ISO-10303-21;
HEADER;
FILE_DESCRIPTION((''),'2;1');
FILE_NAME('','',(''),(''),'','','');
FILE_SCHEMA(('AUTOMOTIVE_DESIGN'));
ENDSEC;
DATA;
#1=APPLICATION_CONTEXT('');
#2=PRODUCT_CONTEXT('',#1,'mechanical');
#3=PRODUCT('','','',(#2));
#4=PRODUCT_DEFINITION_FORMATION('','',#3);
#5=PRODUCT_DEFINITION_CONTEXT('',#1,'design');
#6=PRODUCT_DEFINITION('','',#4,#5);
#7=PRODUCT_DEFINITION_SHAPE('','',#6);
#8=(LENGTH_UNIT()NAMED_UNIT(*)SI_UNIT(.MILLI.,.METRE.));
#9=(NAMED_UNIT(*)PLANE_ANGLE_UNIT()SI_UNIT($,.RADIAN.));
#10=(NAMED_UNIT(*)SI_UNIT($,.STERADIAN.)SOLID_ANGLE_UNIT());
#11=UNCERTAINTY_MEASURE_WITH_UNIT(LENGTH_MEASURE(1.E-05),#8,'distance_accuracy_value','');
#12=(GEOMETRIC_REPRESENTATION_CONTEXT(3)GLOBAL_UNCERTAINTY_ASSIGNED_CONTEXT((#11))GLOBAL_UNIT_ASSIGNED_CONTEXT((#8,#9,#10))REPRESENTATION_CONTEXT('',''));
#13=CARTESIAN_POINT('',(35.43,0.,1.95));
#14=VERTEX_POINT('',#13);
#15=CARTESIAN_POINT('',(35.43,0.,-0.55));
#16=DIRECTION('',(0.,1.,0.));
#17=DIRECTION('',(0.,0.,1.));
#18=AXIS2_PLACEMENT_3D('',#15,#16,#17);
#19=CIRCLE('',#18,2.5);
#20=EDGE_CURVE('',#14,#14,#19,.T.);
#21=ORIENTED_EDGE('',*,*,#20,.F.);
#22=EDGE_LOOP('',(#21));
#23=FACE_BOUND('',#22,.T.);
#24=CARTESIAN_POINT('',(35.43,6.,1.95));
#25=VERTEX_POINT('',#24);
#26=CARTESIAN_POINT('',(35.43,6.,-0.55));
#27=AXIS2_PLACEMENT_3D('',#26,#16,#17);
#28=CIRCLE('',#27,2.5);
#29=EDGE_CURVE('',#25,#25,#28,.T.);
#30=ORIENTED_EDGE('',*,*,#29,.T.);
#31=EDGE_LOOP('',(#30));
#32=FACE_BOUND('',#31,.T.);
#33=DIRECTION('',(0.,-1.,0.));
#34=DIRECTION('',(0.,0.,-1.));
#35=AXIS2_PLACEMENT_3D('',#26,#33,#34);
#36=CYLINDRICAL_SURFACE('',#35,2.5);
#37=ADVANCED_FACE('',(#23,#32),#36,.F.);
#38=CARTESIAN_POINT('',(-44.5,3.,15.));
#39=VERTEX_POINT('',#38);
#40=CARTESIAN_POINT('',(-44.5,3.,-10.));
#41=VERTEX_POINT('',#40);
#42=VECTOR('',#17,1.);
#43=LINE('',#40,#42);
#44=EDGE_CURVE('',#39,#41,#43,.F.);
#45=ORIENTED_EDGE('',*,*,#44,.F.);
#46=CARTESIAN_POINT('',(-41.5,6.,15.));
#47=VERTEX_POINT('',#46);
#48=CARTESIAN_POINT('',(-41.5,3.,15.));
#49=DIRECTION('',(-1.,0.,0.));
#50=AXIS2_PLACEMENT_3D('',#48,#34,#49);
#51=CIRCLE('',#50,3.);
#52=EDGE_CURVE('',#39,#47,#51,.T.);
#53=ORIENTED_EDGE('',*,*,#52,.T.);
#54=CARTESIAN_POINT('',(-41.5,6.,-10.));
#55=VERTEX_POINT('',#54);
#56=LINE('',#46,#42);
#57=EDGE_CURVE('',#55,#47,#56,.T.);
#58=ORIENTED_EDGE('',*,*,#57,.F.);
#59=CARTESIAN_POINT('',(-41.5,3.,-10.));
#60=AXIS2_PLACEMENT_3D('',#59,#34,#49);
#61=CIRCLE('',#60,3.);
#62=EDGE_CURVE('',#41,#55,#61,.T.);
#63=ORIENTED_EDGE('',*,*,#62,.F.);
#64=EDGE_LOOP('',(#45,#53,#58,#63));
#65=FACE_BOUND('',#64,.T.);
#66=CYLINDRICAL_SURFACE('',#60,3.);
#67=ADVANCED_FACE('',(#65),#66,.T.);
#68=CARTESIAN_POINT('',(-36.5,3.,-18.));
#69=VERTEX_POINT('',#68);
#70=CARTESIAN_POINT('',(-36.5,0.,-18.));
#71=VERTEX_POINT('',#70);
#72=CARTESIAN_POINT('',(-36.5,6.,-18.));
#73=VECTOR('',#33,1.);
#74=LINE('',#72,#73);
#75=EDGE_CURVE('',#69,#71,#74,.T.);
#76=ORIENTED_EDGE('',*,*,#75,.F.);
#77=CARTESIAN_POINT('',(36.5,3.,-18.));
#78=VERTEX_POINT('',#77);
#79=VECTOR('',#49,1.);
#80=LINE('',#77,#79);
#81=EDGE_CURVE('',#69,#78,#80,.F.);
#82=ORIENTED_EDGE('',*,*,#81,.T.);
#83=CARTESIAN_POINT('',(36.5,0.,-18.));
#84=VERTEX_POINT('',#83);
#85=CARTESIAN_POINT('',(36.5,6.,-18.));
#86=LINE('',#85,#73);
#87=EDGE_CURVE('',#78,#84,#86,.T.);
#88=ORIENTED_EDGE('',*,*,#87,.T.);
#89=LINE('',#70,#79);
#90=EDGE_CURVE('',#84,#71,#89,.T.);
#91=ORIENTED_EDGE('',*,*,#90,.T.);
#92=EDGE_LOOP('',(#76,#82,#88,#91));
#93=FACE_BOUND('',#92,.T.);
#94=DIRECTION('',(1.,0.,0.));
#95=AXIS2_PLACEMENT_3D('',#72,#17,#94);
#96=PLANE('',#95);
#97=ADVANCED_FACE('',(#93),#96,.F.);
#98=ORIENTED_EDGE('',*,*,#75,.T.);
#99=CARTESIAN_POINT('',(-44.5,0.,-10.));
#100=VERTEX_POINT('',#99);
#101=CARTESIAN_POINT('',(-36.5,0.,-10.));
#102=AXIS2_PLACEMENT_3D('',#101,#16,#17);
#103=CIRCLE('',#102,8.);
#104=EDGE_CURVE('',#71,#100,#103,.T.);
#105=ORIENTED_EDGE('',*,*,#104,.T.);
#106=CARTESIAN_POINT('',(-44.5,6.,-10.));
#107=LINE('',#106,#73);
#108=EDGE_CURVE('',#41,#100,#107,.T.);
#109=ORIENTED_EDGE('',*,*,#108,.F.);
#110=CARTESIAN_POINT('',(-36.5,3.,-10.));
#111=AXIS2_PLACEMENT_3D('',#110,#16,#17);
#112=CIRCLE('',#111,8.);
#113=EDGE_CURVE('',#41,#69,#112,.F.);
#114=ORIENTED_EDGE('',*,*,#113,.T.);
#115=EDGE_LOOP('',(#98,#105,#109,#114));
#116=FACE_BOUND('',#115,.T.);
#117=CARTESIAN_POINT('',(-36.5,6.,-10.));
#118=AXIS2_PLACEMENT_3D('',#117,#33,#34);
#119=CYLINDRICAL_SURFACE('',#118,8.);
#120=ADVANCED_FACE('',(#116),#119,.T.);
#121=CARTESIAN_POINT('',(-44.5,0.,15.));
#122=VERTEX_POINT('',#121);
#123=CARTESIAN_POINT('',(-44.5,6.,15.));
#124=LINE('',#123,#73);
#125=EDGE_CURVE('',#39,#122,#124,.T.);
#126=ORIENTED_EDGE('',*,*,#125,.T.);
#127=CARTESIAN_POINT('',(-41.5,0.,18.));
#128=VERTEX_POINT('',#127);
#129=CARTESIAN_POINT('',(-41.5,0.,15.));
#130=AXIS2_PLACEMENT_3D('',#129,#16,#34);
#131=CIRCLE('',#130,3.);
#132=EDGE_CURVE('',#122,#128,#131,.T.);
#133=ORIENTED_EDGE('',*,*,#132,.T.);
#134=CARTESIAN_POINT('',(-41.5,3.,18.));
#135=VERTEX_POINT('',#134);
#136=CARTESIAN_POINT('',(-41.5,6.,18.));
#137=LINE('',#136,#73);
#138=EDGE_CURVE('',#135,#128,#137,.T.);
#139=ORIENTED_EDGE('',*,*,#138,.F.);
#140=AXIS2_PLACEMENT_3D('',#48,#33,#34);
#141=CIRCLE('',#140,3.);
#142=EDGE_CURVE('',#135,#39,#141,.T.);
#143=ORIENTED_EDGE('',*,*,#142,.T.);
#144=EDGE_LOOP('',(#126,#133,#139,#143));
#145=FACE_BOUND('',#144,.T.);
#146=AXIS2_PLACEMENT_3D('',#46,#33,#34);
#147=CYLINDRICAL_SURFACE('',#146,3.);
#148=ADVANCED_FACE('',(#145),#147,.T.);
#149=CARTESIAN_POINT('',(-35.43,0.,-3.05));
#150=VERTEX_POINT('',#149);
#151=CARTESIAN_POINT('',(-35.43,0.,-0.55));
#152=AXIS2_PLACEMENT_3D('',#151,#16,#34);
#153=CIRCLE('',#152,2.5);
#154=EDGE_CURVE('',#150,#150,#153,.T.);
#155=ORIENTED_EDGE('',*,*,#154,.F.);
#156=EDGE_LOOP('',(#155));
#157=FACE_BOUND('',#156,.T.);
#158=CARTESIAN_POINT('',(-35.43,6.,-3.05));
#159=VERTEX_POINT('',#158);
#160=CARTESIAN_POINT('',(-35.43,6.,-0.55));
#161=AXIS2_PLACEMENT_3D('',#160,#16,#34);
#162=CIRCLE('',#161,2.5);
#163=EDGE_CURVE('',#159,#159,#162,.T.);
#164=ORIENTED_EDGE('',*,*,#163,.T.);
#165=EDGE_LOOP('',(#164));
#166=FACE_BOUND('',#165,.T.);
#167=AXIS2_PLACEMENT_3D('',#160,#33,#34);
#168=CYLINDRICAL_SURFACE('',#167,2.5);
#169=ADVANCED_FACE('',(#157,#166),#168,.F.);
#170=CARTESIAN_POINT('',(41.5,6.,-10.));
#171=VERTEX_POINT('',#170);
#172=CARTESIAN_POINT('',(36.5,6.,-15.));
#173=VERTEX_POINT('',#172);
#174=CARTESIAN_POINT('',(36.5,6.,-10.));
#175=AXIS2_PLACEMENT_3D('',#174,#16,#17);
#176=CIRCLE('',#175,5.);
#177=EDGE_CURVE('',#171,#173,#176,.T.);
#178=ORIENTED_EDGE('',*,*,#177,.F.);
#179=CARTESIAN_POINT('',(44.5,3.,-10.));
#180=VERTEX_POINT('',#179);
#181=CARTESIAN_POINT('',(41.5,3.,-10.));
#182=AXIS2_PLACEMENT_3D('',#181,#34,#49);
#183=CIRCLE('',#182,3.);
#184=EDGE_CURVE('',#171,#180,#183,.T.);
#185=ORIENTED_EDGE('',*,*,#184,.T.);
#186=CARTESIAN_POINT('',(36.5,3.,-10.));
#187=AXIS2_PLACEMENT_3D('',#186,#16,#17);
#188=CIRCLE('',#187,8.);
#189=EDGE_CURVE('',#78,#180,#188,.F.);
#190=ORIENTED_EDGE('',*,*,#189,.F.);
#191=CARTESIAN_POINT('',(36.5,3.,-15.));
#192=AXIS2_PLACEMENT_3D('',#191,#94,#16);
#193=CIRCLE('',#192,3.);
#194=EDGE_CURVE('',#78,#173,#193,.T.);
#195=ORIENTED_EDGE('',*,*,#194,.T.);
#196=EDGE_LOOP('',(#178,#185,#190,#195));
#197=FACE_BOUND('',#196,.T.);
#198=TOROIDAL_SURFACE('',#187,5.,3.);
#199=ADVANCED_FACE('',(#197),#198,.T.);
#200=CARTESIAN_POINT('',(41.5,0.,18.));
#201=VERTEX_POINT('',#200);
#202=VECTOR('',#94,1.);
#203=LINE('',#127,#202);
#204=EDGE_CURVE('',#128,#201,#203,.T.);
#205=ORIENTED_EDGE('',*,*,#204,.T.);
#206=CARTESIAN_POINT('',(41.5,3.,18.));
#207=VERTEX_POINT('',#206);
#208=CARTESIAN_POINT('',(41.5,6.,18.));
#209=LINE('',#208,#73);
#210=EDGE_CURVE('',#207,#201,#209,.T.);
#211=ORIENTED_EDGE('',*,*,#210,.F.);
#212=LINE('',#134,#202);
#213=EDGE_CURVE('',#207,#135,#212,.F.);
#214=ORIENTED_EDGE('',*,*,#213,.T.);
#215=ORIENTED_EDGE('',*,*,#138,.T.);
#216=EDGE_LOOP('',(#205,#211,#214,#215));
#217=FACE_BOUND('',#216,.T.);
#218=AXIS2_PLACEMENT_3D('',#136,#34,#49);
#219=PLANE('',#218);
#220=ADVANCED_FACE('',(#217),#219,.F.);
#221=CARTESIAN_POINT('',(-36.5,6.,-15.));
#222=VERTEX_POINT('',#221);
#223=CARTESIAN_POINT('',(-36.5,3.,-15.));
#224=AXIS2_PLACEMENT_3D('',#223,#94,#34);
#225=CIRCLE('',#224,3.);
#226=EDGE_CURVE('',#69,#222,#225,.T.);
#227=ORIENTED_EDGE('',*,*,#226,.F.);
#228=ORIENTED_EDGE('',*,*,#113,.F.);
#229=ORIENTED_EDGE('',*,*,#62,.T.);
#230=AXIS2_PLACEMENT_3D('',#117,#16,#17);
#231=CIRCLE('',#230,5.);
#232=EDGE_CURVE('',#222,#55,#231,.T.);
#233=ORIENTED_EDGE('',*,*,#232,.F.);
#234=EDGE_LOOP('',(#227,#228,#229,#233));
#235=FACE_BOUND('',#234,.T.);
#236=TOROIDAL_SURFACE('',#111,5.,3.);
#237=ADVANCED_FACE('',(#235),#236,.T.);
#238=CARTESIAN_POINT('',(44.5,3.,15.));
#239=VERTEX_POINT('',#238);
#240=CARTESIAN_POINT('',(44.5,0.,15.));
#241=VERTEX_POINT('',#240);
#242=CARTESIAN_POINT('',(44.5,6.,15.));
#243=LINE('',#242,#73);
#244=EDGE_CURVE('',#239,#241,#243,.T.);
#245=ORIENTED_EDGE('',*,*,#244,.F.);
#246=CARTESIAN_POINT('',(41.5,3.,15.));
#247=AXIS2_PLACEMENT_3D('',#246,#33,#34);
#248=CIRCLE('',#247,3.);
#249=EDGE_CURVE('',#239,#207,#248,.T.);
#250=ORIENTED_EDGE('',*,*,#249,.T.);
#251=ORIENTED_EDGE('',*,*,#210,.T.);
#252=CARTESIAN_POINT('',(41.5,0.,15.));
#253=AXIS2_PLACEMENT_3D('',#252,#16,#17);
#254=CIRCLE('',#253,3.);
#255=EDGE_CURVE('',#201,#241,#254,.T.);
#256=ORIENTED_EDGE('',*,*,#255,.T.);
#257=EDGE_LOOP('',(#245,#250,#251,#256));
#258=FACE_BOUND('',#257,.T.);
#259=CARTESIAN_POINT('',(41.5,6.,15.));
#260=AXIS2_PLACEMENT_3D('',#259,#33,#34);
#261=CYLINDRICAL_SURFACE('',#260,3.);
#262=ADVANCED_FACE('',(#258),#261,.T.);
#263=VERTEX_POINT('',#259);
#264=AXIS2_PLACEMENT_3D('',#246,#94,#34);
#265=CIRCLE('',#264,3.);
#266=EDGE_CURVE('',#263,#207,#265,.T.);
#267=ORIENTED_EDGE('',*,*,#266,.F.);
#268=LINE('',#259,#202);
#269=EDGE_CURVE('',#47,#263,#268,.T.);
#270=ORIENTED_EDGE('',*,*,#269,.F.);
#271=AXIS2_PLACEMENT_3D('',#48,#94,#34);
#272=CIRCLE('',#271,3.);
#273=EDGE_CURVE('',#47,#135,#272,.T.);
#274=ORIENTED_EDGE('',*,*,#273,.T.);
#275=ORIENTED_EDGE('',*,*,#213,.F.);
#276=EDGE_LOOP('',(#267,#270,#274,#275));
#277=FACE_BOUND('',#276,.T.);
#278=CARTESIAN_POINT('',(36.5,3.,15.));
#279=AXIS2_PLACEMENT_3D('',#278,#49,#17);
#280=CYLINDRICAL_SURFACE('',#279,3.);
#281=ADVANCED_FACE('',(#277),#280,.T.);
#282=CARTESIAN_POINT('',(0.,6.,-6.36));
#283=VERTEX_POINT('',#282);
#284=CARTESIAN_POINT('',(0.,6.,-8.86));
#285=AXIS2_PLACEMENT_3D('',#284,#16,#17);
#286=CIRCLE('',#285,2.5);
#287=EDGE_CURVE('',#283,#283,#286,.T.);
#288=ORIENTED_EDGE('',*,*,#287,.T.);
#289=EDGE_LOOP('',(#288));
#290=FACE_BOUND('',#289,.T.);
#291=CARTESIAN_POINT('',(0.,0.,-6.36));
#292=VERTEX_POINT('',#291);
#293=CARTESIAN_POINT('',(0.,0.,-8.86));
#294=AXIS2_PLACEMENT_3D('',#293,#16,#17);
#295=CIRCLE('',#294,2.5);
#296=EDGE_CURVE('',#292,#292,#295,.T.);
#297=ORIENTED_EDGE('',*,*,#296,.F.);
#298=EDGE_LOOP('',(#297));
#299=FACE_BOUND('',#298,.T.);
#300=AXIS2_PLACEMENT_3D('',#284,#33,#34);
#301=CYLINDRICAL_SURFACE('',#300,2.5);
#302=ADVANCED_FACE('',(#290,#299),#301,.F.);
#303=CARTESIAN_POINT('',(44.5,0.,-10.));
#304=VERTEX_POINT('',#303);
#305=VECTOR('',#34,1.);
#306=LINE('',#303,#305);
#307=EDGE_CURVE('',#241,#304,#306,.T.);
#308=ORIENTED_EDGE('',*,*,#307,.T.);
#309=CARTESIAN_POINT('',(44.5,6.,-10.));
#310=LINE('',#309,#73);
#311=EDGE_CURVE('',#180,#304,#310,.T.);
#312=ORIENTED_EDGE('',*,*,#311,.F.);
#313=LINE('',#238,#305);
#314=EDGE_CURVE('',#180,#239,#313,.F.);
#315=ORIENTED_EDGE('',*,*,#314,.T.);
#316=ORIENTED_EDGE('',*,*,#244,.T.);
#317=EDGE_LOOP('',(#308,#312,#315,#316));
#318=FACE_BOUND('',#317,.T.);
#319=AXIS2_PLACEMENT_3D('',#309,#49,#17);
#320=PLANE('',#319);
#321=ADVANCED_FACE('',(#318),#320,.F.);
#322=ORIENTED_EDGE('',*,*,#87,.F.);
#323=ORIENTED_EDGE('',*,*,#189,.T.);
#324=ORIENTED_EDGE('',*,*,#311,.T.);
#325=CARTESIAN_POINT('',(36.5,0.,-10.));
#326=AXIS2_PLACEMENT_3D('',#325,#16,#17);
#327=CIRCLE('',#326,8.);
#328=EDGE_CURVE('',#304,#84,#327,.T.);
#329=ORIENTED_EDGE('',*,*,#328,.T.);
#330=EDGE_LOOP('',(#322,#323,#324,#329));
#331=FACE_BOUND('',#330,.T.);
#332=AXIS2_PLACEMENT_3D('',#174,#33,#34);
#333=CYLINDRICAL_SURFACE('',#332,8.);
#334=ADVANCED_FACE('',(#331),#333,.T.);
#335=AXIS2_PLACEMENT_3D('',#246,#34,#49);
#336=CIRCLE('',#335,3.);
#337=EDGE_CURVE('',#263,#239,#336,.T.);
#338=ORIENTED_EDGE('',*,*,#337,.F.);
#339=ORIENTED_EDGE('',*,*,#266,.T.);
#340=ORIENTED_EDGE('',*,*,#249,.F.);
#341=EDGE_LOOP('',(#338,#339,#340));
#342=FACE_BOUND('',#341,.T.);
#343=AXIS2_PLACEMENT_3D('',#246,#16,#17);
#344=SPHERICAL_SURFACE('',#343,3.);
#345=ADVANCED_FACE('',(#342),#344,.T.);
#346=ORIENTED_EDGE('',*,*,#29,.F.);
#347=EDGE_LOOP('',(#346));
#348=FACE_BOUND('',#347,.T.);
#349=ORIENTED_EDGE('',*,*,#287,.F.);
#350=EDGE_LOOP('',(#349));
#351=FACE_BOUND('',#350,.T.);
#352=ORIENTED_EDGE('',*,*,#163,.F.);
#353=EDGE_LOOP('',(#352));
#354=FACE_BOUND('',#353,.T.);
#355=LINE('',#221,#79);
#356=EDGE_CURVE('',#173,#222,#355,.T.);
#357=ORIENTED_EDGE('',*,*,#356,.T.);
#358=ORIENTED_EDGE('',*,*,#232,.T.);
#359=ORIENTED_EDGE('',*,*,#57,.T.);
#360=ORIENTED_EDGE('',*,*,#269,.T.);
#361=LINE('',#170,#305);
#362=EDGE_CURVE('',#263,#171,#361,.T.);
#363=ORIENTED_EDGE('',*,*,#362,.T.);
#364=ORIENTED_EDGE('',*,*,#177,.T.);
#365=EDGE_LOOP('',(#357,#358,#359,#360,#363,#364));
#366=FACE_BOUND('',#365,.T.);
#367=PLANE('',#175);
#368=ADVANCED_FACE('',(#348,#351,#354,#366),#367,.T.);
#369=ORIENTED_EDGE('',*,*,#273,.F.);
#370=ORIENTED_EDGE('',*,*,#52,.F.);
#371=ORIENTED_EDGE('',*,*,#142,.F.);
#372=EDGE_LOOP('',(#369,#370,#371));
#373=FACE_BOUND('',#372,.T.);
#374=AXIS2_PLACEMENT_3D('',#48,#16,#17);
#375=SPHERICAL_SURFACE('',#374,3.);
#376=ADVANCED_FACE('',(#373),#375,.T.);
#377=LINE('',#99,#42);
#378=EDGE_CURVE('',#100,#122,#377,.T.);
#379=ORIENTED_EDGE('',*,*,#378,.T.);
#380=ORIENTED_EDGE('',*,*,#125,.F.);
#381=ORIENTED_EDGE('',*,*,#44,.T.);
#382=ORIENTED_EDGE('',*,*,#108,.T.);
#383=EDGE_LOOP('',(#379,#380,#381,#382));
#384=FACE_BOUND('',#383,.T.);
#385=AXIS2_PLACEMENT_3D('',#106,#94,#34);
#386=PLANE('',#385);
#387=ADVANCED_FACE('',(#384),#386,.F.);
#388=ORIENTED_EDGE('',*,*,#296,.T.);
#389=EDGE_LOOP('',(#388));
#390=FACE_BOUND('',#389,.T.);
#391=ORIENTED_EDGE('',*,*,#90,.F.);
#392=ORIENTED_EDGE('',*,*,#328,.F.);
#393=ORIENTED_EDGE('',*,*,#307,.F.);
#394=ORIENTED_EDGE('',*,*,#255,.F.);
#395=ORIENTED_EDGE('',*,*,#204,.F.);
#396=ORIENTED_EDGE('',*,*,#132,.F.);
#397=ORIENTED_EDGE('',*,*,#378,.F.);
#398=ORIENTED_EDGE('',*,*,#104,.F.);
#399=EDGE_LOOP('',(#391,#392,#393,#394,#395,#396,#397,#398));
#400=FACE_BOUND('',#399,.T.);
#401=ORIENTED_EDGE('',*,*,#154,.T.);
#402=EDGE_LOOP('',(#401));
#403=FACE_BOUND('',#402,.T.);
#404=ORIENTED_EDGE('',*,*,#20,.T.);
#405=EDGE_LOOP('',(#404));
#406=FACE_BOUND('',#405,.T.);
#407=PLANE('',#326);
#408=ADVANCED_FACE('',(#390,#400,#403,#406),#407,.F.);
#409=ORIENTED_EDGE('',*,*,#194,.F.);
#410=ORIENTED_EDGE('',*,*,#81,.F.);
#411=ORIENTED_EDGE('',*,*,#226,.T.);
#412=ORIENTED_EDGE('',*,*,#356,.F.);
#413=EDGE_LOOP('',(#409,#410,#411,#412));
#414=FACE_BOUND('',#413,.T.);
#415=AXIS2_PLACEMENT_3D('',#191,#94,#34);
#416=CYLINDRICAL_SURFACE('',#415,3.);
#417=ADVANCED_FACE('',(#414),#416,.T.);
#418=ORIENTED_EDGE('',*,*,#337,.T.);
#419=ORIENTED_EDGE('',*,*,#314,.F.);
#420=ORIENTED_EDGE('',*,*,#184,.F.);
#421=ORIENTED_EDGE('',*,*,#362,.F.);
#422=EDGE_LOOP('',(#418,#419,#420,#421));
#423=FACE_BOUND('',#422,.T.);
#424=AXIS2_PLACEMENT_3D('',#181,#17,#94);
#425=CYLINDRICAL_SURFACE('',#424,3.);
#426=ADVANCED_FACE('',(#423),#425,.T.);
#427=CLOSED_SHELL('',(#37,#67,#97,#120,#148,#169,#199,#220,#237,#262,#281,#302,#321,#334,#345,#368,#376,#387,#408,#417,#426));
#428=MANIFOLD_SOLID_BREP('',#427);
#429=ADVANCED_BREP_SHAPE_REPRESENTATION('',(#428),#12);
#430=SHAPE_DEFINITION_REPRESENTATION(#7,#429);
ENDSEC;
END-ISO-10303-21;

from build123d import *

# Parameters (mm, degrees)
SKETCH1_R           = 2.5
BOSS_EXTRUDE1_DEPTH = 6
FILLET1_R           = 3


with BuildPart() as part:
    # Sketch1 → Boss-Extrude1 (new body)
    with BuildSketch(Plane(origin=(0, 0, 0), x_dir=(1, 0, 0), z_dir=(0, 1, 0))):
        with BuildLine():
            Line((-36.5, 18), (36.5, 18))
            ThreePointArc((36.5, 18), (42.156854249, 15.656854249), (44.5, 10))
            Line((44.5, 10), (44.5, -15))
            ThreePointArc((44.5, -15), (43.621320344, -17.121320344), (41.5, -18))
            Line((41.5, -18), (-41.5, -18))
            ThreePointArc((-41.5, -18), (-43.621320344, -17.121320344), (-44.5, -15))
            Line((-44.5, -15), (-44.5, 10))
            ThreePointArc((-44.5, 10), (-42.156854249, 15.656854249), (-36.5, 18))
        make_face()
        with Locations(Location((0, 8.86, 0), (0, 0, 270))):
            Circle(SKETCH1_R, mode=Mode.SUBTRACT)
        with Locations(Location((35.43, 0.55, 0), (0, 0, 270))):
            Circle(SKETCH1_R, mode=Mode.SUBTRACT)
        with Locations(Location((-35.43, 0.55, 0), (0, 0, 90))):
            Circle(SKETCH1_R, mode=Mode.SUBTRACT)
    extrude(amount=BOSS_EXTRUDE1_DEPTH)

    # Fillet1
    fillet1_edges = [part.edges().sort_by_distance(p)[0] for p in [
        (-42.156854249, 6, -15.656854249),
        (-44.5, 6, 2.5),
        (-43.621320344, 6, 17.121320344),
        (0, 6, 18),
        (43.621320344, 6, 17.121320344),
        (44.5, 6, 2.5),
        (42.156854249, 6, -15.656854249),
        (0, 6, -18),
    ]]
    fillet(fillet1_edges, radius=FILLET1_R)


solid = part.part
